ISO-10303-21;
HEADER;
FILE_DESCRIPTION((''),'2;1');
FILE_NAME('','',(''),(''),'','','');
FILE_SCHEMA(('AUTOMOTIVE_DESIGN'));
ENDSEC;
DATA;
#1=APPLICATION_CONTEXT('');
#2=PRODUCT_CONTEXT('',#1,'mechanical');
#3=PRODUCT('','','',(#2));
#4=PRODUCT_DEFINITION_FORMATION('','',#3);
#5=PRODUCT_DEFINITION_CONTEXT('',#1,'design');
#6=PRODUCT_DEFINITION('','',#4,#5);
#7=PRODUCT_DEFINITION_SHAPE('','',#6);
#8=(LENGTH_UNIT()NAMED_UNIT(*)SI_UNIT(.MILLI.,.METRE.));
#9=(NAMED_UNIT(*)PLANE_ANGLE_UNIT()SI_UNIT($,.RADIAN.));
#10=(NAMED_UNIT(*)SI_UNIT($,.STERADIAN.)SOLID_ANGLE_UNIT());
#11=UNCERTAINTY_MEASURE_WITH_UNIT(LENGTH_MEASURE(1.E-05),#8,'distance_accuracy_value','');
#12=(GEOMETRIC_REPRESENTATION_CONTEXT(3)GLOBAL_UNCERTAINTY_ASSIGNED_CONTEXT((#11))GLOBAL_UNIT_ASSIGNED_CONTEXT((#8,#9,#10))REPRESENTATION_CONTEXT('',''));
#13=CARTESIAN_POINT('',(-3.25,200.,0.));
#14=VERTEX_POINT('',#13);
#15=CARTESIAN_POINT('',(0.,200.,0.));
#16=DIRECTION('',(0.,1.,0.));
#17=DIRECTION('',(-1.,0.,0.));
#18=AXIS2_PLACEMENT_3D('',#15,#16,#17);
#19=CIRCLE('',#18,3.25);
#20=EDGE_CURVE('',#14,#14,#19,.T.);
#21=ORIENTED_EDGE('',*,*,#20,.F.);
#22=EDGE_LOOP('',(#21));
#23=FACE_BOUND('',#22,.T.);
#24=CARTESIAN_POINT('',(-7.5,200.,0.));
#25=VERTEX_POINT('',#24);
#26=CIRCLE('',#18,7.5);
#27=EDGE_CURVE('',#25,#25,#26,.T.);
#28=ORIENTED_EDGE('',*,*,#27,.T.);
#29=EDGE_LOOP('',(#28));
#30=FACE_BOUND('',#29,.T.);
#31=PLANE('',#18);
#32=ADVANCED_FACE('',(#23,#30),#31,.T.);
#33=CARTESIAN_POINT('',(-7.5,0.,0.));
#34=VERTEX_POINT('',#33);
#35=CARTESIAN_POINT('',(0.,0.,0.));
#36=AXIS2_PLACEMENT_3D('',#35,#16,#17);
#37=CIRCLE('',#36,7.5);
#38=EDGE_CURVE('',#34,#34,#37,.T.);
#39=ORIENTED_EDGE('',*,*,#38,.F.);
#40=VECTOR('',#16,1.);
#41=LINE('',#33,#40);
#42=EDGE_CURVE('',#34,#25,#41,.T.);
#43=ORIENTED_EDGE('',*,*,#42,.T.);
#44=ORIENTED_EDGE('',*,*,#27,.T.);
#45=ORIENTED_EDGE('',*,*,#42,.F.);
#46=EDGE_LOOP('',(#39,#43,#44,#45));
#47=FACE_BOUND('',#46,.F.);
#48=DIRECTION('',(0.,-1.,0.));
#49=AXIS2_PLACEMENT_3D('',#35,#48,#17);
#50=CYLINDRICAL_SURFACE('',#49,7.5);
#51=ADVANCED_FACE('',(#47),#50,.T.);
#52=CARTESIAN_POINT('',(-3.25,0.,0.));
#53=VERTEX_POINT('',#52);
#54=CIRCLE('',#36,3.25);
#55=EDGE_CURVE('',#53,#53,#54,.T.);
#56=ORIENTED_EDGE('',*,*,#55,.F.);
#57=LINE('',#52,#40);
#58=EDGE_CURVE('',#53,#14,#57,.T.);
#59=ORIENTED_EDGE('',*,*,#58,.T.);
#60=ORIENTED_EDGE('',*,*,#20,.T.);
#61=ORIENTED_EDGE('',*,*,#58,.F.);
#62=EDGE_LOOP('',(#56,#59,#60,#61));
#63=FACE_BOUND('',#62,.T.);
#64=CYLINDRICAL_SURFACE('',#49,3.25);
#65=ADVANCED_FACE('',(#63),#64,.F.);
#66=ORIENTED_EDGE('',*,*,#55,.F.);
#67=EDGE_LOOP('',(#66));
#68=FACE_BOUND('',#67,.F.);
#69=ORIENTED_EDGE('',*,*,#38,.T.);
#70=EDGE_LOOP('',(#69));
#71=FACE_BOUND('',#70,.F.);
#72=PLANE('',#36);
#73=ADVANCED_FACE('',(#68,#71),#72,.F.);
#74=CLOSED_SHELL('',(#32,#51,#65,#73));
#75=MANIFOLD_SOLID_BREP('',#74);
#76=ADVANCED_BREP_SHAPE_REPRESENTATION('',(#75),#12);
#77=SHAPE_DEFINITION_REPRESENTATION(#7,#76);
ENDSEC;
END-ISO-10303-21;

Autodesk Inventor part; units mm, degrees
ref_plane "YZ Plane" through (0, 0, 0) normal (1, 0, 0) x (0, 1, 0)
ref_plane "XZ Plane" through (0, 0, 0) normal (0, 1, 0) x (-1, 0, 0)
ref_plane "XY Plane" through (0, 0, 0) normal (0, 0, 1) x (1, 0, 0)
sketch "Sketch1" plane through (0, 0, 0) normal (0, 1, 0) x (-1, 0, 0)
  circle A0 centre (0, 0) radius 3.25
  circle A1 centre (0, 0) radius 7.5
  dimension "d0" = 6.5
  dimension "d1" = 15
extrude "Extrusion1" add sketch "Sketch1" along normal blind 200
properties material "Aluminum 6061"
